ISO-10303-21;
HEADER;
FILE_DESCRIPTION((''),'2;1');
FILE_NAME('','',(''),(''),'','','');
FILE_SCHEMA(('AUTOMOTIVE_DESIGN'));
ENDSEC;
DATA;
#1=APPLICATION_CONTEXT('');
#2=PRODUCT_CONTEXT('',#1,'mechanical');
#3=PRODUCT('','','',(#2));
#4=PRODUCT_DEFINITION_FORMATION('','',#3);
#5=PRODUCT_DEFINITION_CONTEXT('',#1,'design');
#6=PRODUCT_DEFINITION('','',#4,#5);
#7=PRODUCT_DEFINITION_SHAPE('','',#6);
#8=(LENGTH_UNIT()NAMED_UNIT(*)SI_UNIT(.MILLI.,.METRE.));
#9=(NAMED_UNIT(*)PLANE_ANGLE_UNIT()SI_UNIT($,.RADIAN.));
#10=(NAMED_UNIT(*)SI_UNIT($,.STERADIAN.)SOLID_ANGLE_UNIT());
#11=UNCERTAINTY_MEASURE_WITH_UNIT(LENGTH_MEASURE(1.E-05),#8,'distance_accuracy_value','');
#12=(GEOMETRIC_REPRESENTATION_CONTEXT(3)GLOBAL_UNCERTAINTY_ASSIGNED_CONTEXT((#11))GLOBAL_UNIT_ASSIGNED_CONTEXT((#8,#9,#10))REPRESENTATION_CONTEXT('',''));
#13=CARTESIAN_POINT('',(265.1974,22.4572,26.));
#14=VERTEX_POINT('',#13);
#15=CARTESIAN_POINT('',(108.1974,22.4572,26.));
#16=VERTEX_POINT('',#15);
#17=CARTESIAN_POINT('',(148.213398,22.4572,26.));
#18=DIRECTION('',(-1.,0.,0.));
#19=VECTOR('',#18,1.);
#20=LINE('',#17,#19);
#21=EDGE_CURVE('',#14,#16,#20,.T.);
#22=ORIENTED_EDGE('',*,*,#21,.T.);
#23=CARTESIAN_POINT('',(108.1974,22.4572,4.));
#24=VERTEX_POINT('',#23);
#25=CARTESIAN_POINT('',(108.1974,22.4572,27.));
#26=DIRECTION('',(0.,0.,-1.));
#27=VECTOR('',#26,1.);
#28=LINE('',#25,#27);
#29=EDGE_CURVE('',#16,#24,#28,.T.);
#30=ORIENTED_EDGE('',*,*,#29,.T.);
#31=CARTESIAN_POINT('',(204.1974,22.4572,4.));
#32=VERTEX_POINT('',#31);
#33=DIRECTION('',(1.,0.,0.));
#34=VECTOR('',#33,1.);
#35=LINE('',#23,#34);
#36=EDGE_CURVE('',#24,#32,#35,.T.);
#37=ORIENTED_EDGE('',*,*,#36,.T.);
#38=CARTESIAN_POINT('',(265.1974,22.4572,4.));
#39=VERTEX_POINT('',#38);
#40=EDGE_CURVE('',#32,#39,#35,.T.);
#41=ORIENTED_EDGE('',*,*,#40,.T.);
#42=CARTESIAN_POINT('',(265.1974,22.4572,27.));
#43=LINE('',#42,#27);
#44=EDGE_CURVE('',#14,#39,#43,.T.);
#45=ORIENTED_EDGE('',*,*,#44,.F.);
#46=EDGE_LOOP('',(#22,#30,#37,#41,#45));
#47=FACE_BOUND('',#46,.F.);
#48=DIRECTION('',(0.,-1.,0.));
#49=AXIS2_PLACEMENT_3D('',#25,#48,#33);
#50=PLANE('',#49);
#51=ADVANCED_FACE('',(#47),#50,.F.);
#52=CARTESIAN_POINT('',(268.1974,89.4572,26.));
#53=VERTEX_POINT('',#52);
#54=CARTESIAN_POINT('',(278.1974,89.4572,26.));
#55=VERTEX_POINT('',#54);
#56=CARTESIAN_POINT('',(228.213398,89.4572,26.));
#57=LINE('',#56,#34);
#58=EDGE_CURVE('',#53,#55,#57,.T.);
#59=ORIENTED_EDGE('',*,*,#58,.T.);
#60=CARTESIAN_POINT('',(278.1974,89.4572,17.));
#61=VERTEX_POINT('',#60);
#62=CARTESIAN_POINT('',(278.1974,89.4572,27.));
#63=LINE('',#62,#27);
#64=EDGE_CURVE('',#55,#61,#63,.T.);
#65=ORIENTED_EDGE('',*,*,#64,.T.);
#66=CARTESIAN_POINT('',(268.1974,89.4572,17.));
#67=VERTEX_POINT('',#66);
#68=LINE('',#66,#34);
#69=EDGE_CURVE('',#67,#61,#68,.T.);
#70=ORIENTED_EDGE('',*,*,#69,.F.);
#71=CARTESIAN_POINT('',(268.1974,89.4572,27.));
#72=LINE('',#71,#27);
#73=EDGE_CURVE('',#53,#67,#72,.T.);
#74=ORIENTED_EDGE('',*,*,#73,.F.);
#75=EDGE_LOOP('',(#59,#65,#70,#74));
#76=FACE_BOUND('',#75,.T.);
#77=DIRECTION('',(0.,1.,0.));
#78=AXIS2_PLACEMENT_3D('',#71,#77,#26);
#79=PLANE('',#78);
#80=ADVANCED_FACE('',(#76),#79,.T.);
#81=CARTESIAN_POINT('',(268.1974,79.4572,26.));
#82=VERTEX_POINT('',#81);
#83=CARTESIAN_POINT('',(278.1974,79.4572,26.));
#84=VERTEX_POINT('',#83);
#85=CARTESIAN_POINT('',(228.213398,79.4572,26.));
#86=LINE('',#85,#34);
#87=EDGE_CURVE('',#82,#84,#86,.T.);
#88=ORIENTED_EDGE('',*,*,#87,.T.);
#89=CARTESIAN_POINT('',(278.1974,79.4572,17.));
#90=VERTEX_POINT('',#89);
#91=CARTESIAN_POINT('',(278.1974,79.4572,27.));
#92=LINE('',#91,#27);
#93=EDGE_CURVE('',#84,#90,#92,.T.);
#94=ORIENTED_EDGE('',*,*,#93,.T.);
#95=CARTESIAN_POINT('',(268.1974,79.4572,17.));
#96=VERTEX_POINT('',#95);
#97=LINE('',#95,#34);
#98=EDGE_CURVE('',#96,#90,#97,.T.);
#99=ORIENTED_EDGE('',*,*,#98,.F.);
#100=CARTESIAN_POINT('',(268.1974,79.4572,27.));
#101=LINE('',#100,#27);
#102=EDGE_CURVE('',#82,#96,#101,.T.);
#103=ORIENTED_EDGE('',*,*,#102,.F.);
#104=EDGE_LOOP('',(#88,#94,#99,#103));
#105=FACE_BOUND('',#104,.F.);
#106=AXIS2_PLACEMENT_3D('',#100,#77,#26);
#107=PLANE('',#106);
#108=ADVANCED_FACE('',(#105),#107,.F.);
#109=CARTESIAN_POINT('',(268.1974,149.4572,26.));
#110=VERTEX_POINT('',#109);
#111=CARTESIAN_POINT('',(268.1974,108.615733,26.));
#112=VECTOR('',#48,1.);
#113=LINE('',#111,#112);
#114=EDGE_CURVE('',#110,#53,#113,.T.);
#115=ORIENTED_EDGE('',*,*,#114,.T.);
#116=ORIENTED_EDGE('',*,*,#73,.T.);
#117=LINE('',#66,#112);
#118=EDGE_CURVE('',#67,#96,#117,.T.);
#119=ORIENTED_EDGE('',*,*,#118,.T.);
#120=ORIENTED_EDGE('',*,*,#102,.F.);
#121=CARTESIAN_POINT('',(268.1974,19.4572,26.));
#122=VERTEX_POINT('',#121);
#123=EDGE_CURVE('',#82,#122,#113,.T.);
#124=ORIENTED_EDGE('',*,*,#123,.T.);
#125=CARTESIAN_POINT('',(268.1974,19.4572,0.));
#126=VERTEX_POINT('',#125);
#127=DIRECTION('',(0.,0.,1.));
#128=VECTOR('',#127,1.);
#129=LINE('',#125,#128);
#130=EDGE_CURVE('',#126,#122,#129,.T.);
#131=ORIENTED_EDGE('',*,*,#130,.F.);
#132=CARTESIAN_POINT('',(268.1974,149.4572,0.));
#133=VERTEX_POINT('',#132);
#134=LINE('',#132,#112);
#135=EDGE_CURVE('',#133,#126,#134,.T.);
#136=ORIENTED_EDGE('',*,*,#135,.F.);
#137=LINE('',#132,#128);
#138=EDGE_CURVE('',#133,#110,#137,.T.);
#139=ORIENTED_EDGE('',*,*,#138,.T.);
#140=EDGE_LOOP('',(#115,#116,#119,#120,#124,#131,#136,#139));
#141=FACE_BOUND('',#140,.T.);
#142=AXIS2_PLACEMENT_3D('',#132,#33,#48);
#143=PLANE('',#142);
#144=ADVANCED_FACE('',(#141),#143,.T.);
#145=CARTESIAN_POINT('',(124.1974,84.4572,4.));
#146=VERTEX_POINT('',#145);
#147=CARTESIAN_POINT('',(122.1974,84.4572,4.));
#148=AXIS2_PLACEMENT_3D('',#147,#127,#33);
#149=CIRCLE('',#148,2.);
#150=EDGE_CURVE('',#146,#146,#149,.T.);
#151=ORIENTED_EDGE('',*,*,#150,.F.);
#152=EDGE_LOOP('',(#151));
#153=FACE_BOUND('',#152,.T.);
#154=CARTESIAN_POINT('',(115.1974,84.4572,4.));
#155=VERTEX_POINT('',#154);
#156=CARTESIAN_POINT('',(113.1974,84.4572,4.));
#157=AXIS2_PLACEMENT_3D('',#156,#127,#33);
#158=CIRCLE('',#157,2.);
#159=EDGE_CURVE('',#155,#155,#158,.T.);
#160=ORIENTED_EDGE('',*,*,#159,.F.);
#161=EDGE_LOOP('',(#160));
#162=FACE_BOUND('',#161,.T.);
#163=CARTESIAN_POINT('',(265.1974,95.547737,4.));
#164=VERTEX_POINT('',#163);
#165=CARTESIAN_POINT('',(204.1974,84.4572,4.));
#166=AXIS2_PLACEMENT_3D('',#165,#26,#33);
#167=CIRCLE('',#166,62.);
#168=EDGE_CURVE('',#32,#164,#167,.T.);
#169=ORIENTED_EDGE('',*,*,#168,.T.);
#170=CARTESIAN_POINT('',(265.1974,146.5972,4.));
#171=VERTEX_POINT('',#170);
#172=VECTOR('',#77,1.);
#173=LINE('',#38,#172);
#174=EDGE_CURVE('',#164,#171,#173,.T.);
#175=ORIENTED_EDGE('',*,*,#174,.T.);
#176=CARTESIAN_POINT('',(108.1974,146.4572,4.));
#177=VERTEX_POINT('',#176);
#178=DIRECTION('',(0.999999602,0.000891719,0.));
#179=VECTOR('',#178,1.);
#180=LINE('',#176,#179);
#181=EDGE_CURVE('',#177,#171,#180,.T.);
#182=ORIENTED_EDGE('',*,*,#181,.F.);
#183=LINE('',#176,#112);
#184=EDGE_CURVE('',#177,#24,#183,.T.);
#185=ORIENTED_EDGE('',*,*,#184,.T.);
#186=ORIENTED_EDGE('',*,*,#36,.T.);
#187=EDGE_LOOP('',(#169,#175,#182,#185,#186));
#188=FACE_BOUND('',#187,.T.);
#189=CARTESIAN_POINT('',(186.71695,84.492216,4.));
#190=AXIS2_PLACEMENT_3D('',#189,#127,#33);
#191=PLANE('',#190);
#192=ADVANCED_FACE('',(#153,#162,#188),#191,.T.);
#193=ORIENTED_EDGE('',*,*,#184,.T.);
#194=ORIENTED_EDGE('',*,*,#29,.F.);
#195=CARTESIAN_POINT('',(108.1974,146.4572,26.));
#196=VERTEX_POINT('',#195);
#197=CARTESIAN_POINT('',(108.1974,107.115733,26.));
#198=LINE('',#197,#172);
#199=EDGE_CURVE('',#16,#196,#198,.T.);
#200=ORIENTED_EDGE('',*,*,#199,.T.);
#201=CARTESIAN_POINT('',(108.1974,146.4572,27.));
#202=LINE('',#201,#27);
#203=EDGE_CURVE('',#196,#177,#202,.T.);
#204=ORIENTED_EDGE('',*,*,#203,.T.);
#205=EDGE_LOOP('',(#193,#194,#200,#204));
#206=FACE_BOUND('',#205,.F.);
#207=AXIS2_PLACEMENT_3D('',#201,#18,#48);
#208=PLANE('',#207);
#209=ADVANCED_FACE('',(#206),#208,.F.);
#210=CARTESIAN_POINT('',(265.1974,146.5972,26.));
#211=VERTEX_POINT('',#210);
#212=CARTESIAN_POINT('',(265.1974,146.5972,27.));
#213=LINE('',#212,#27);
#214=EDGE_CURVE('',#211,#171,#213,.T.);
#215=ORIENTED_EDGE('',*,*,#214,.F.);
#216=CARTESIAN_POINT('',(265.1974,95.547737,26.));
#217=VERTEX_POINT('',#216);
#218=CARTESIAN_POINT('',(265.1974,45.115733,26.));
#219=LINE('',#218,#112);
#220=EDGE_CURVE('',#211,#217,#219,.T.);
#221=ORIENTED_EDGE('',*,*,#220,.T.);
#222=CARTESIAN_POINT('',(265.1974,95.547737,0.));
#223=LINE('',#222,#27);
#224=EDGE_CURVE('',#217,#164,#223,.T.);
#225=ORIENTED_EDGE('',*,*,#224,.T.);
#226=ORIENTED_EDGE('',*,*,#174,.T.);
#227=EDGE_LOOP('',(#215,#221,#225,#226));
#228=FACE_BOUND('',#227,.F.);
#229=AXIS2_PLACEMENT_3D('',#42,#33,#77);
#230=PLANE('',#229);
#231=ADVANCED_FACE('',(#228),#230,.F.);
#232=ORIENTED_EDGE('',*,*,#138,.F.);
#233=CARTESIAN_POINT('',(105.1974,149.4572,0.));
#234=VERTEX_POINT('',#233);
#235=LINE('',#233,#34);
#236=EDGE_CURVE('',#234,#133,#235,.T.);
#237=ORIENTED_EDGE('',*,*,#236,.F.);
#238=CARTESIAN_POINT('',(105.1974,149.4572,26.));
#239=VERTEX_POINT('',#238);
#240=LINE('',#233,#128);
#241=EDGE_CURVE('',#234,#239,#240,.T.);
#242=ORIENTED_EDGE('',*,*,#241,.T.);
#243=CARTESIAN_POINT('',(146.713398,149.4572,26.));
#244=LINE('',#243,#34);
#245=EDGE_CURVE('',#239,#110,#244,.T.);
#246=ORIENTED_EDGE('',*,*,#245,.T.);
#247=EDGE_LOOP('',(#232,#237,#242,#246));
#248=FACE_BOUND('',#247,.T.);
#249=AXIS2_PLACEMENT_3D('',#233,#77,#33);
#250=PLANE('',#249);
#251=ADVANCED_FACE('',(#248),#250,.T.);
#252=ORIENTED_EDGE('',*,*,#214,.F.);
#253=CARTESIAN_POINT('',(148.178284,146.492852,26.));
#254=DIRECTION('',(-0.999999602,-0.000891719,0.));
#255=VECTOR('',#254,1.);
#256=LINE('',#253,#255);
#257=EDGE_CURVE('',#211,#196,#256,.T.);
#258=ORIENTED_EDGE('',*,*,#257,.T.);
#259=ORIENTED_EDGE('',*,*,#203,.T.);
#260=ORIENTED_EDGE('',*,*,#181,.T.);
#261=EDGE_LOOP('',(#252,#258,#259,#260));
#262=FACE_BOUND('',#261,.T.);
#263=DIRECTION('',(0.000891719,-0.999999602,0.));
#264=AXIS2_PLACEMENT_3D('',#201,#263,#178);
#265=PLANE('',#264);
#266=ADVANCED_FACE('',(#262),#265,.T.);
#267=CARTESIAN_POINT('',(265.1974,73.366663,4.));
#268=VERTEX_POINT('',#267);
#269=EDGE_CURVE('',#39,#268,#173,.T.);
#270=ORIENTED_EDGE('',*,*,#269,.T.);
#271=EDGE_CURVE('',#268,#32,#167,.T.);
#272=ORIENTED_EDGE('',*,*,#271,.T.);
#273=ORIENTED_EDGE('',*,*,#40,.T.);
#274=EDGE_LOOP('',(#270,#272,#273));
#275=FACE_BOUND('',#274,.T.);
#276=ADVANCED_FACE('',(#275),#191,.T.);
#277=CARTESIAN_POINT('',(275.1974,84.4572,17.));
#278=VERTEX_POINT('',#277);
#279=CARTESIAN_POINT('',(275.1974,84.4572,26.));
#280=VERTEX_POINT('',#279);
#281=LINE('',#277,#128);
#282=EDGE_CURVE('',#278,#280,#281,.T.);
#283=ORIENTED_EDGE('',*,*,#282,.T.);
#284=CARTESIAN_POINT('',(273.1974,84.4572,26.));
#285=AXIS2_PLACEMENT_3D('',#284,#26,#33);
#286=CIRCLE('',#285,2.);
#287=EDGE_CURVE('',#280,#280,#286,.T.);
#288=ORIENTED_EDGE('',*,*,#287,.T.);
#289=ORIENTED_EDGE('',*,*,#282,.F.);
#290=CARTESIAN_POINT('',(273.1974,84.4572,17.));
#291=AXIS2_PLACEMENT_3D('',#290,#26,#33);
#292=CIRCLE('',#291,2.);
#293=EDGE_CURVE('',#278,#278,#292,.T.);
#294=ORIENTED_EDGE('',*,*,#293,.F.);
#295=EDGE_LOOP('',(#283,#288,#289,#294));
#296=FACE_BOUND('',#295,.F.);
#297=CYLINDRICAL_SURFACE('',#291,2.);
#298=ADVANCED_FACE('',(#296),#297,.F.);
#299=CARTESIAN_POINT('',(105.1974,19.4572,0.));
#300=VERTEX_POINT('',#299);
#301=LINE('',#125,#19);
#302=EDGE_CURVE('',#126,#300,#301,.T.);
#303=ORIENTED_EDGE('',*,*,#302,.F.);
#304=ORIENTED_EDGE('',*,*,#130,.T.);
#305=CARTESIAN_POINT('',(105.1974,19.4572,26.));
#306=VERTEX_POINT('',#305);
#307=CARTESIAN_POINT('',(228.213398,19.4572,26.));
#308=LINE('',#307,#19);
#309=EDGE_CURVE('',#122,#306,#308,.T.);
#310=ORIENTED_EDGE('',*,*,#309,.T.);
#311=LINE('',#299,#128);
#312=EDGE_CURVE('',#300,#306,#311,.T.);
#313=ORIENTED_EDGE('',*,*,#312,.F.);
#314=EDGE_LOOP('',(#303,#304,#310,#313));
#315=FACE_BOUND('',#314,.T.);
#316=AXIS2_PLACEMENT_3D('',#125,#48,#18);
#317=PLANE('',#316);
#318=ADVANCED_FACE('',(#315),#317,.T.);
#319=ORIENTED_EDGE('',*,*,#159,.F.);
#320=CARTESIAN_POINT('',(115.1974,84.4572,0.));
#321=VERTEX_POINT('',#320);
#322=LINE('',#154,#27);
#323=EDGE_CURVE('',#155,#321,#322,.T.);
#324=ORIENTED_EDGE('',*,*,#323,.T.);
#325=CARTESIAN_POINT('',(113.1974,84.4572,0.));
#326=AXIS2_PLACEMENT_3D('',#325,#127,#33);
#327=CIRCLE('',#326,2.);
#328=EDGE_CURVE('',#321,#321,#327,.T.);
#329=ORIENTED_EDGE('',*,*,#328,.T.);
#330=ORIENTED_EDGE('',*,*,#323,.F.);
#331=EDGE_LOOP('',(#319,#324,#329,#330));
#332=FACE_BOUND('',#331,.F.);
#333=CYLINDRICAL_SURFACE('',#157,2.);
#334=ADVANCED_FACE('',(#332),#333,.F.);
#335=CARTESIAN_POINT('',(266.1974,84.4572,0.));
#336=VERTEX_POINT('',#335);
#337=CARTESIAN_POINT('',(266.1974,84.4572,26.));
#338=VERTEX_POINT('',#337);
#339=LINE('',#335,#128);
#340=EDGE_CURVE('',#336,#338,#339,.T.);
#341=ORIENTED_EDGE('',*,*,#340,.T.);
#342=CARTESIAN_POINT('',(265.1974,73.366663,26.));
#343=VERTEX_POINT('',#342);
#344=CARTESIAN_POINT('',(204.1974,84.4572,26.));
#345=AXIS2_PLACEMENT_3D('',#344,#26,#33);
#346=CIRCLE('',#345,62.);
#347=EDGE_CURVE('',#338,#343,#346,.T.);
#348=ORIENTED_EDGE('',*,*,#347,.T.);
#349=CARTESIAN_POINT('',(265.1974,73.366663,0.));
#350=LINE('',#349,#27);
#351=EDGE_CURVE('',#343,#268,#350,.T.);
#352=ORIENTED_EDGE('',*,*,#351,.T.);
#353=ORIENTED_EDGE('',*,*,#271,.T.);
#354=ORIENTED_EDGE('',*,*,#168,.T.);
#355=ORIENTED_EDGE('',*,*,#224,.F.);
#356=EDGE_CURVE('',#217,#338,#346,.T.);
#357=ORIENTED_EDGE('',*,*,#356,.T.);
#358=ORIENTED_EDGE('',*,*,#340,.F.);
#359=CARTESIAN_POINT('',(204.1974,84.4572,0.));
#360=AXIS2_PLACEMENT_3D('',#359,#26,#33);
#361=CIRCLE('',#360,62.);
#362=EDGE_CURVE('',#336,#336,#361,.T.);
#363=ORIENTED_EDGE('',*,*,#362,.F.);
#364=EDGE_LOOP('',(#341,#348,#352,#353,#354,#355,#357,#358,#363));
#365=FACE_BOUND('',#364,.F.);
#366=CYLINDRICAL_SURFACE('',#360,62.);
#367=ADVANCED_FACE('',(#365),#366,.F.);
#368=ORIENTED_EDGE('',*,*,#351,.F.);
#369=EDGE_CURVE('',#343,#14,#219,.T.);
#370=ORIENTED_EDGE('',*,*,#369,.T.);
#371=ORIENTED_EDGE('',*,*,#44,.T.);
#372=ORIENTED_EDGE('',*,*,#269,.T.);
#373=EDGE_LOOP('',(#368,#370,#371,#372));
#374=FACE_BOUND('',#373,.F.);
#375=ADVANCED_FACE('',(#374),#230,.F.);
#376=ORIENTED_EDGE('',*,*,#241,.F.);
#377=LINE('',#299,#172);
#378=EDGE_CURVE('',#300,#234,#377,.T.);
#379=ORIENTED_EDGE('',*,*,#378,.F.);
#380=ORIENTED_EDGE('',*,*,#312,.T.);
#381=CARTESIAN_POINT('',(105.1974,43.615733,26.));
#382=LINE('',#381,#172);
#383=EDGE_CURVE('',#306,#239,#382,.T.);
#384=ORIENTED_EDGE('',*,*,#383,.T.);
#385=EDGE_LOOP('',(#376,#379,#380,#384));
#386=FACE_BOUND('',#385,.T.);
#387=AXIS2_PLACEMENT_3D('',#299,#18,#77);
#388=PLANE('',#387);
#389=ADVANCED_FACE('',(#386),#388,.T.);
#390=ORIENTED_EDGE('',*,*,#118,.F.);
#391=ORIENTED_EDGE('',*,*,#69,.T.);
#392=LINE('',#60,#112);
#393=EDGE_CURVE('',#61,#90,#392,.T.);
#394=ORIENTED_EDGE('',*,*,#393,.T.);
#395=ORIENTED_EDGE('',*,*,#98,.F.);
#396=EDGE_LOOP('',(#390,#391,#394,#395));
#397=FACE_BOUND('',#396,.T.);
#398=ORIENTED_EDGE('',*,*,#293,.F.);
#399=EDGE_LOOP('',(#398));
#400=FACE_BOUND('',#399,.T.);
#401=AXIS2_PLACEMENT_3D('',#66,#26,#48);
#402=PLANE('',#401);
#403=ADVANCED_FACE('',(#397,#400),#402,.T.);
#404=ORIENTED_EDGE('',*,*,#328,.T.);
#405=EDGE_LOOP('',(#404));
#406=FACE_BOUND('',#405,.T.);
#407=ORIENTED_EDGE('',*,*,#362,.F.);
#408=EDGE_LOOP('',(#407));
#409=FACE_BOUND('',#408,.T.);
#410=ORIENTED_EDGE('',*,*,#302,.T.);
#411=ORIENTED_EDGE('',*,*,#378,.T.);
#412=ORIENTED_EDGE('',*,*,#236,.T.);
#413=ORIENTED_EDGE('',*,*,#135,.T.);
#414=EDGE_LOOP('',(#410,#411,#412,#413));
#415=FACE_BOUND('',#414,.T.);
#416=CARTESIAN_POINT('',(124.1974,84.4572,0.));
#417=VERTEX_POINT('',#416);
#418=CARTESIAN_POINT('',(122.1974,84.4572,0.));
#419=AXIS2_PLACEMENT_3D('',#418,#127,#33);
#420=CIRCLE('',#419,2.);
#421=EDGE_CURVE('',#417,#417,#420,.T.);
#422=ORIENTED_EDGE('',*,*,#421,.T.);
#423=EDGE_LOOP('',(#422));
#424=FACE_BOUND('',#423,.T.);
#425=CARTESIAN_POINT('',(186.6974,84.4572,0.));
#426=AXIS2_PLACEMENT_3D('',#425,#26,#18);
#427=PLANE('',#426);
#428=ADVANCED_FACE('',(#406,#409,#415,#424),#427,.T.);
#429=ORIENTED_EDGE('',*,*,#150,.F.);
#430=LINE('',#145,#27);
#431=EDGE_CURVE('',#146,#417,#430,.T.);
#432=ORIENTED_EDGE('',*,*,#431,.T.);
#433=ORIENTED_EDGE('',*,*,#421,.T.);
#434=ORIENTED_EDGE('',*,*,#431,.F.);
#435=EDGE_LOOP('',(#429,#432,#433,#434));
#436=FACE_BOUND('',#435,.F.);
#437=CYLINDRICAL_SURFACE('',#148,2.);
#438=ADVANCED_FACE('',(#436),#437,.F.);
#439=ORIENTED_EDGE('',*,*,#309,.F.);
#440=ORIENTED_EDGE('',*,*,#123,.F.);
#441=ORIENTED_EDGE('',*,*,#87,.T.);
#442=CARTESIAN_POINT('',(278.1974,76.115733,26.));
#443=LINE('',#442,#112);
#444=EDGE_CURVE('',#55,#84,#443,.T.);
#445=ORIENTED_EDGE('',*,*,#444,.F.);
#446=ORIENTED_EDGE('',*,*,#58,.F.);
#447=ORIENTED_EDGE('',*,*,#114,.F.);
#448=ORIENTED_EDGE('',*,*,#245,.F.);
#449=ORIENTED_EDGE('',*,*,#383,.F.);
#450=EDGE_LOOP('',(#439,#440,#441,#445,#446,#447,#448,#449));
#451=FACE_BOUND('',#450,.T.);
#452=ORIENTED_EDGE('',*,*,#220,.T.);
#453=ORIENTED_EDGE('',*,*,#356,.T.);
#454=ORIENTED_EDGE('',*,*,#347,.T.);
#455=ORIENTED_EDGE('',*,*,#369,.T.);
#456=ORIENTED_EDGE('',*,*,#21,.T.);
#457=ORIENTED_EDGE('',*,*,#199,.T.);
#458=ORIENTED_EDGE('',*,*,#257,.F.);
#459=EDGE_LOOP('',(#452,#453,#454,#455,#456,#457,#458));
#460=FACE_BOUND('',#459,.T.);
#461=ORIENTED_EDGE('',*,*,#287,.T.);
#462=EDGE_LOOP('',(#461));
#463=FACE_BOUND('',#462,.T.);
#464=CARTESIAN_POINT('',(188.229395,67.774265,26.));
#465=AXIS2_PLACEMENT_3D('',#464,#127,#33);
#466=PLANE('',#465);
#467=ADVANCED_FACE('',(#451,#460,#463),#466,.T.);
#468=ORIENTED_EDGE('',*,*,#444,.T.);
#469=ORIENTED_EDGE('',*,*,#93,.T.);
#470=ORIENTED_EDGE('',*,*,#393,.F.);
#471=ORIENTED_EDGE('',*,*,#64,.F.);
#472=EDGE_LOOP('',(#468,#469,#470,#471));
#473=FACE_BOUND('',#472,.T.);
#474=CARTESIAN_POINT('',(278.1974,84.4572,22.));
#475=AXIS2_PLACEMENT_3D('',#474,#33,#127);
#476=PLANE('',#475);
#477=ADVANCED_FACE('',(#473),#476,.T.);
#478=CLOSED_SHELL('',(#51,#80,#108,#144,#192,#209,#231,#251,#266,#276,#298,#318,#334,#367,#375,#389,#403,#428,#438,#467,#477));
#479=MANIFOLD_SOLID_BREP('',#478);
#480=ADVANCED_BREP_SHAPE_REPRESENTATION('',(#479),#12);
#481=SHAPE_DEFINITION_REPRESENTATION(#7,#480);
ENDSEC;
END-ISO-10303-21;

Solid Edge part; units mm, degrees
sketch "Sketch1" plane through (0, 0, 0) normal (0, 0, 1) x (1, 0, 0)
  line L0 (105.1974, 149.4572) -> (268.1974, 149.4572)
  line L1 (268.1974, 149.4572) -> (268.1974, 19.4572)
  line L2 (268.1974, 19.4572) -> (105.1974, 19.4572)
  line L3 (105.1974, 19.4572) -> (105.1974, 149.4572)
  dimension "D1" = 163
  dimension "D2" = 130
extrude "Protrusion1" add sketch "Sketch1" along normal blind 27
sketch "Sketch2" plane through (170.1974, 84.4572, 27) normal (0, 0, 1) x (1, 0, 0)
  line L0 (-62, 62) -> (-62, -62)
  line L1 (-62, -62) -> (95, -62)
  line L2 (95, -62) -> (95, 62.14)
  line L3 (-62, 62) -> (95, 62.14)
  dimension "D1" = 3
  dimension "D2" = 3
  dimension "D3" = 3
  dimension "D4" = 3
  dimension "D5" = 3
extrude "ExtrudedCutout_1" cut sketch "Sketch2" against normal blind 23
sketch "Sketch3" plane through (170.1974, 84.5136, 4) normal (0, 0, 1) x (1, 0, 0)
  circle A0 centre (-57, -0.0564) radius 2
  circle A1 centre (-48, -0.0564) radius 2
  dimension "D1" = 4
  dimension "D2" = 5
  dimension "D3" = 4
  dimension "D4" = 9
extrude "Cutout1" cut sketch "Sketch3" against normal through all
sketch "Sketch4" plane through (186.6974, 84.4572, 0) normal (0, 0, -1) x (1, 0, 0)
  circle A0 centre (17.5, 0) radius 62
  dimension "D1" = 124
  dimension "D2" = 99
extrude "Cutout2" cut sketch "Sketch4" against normal through all
sketch "Sketch5" plane through (268.1974, 84.4572, 13.5) normal (1, 0, 0) x (0, 0, 1)
  line L0 (13.5, 0) -> (13.5, 5)
  line L1 (13.5, 5) -> (3.5, 5)
  line L2 (3.5, -5) -> (3.5, 5)
  line L3 (13.5, -5) -> (3.5, -5)
  line L4 (13.5, 0) -> (13.5, -5)
  dimension "D1" = 5
  dimension "D2" = 5
  dimension "D3" = 10
  dimension "D4" = 10
extrude "ExtrudedProtrusion_7" add sketch "Sketch5" along normal blind 10
sketch "Sketch6" plane through (273.1974, 84.4572, 17) normal (0, 0, -1) x (1, 0, 0)
  circle A0 centre (0, 0) radius 2
  dimension "D1" = 4
  dimension "D2" = 5
  dimension "D3" = 5
extrude "Cutout3" cut sketch "Sketch6" against normal through all
sketch "Sketch7" plane through (191.6974, 84.4572, 27) normal (0, 0, 1) x (1, 0, 0)
  line L0 (-122.0031, 91.8624) -> (-122.0031, -126.2255)
  line L1 (-122.0031, -126.2255) -> (122.899, -118.4792)
  line L2 (122.899, -118.4792) -> (110.9816, 91.8624)
  line L3 (110.9816, 91.8624) -> (-122.0031, 91.8624)
extrude "ExtrudedCutout_10" cut sketch "Sketch7" against normal blind 1
